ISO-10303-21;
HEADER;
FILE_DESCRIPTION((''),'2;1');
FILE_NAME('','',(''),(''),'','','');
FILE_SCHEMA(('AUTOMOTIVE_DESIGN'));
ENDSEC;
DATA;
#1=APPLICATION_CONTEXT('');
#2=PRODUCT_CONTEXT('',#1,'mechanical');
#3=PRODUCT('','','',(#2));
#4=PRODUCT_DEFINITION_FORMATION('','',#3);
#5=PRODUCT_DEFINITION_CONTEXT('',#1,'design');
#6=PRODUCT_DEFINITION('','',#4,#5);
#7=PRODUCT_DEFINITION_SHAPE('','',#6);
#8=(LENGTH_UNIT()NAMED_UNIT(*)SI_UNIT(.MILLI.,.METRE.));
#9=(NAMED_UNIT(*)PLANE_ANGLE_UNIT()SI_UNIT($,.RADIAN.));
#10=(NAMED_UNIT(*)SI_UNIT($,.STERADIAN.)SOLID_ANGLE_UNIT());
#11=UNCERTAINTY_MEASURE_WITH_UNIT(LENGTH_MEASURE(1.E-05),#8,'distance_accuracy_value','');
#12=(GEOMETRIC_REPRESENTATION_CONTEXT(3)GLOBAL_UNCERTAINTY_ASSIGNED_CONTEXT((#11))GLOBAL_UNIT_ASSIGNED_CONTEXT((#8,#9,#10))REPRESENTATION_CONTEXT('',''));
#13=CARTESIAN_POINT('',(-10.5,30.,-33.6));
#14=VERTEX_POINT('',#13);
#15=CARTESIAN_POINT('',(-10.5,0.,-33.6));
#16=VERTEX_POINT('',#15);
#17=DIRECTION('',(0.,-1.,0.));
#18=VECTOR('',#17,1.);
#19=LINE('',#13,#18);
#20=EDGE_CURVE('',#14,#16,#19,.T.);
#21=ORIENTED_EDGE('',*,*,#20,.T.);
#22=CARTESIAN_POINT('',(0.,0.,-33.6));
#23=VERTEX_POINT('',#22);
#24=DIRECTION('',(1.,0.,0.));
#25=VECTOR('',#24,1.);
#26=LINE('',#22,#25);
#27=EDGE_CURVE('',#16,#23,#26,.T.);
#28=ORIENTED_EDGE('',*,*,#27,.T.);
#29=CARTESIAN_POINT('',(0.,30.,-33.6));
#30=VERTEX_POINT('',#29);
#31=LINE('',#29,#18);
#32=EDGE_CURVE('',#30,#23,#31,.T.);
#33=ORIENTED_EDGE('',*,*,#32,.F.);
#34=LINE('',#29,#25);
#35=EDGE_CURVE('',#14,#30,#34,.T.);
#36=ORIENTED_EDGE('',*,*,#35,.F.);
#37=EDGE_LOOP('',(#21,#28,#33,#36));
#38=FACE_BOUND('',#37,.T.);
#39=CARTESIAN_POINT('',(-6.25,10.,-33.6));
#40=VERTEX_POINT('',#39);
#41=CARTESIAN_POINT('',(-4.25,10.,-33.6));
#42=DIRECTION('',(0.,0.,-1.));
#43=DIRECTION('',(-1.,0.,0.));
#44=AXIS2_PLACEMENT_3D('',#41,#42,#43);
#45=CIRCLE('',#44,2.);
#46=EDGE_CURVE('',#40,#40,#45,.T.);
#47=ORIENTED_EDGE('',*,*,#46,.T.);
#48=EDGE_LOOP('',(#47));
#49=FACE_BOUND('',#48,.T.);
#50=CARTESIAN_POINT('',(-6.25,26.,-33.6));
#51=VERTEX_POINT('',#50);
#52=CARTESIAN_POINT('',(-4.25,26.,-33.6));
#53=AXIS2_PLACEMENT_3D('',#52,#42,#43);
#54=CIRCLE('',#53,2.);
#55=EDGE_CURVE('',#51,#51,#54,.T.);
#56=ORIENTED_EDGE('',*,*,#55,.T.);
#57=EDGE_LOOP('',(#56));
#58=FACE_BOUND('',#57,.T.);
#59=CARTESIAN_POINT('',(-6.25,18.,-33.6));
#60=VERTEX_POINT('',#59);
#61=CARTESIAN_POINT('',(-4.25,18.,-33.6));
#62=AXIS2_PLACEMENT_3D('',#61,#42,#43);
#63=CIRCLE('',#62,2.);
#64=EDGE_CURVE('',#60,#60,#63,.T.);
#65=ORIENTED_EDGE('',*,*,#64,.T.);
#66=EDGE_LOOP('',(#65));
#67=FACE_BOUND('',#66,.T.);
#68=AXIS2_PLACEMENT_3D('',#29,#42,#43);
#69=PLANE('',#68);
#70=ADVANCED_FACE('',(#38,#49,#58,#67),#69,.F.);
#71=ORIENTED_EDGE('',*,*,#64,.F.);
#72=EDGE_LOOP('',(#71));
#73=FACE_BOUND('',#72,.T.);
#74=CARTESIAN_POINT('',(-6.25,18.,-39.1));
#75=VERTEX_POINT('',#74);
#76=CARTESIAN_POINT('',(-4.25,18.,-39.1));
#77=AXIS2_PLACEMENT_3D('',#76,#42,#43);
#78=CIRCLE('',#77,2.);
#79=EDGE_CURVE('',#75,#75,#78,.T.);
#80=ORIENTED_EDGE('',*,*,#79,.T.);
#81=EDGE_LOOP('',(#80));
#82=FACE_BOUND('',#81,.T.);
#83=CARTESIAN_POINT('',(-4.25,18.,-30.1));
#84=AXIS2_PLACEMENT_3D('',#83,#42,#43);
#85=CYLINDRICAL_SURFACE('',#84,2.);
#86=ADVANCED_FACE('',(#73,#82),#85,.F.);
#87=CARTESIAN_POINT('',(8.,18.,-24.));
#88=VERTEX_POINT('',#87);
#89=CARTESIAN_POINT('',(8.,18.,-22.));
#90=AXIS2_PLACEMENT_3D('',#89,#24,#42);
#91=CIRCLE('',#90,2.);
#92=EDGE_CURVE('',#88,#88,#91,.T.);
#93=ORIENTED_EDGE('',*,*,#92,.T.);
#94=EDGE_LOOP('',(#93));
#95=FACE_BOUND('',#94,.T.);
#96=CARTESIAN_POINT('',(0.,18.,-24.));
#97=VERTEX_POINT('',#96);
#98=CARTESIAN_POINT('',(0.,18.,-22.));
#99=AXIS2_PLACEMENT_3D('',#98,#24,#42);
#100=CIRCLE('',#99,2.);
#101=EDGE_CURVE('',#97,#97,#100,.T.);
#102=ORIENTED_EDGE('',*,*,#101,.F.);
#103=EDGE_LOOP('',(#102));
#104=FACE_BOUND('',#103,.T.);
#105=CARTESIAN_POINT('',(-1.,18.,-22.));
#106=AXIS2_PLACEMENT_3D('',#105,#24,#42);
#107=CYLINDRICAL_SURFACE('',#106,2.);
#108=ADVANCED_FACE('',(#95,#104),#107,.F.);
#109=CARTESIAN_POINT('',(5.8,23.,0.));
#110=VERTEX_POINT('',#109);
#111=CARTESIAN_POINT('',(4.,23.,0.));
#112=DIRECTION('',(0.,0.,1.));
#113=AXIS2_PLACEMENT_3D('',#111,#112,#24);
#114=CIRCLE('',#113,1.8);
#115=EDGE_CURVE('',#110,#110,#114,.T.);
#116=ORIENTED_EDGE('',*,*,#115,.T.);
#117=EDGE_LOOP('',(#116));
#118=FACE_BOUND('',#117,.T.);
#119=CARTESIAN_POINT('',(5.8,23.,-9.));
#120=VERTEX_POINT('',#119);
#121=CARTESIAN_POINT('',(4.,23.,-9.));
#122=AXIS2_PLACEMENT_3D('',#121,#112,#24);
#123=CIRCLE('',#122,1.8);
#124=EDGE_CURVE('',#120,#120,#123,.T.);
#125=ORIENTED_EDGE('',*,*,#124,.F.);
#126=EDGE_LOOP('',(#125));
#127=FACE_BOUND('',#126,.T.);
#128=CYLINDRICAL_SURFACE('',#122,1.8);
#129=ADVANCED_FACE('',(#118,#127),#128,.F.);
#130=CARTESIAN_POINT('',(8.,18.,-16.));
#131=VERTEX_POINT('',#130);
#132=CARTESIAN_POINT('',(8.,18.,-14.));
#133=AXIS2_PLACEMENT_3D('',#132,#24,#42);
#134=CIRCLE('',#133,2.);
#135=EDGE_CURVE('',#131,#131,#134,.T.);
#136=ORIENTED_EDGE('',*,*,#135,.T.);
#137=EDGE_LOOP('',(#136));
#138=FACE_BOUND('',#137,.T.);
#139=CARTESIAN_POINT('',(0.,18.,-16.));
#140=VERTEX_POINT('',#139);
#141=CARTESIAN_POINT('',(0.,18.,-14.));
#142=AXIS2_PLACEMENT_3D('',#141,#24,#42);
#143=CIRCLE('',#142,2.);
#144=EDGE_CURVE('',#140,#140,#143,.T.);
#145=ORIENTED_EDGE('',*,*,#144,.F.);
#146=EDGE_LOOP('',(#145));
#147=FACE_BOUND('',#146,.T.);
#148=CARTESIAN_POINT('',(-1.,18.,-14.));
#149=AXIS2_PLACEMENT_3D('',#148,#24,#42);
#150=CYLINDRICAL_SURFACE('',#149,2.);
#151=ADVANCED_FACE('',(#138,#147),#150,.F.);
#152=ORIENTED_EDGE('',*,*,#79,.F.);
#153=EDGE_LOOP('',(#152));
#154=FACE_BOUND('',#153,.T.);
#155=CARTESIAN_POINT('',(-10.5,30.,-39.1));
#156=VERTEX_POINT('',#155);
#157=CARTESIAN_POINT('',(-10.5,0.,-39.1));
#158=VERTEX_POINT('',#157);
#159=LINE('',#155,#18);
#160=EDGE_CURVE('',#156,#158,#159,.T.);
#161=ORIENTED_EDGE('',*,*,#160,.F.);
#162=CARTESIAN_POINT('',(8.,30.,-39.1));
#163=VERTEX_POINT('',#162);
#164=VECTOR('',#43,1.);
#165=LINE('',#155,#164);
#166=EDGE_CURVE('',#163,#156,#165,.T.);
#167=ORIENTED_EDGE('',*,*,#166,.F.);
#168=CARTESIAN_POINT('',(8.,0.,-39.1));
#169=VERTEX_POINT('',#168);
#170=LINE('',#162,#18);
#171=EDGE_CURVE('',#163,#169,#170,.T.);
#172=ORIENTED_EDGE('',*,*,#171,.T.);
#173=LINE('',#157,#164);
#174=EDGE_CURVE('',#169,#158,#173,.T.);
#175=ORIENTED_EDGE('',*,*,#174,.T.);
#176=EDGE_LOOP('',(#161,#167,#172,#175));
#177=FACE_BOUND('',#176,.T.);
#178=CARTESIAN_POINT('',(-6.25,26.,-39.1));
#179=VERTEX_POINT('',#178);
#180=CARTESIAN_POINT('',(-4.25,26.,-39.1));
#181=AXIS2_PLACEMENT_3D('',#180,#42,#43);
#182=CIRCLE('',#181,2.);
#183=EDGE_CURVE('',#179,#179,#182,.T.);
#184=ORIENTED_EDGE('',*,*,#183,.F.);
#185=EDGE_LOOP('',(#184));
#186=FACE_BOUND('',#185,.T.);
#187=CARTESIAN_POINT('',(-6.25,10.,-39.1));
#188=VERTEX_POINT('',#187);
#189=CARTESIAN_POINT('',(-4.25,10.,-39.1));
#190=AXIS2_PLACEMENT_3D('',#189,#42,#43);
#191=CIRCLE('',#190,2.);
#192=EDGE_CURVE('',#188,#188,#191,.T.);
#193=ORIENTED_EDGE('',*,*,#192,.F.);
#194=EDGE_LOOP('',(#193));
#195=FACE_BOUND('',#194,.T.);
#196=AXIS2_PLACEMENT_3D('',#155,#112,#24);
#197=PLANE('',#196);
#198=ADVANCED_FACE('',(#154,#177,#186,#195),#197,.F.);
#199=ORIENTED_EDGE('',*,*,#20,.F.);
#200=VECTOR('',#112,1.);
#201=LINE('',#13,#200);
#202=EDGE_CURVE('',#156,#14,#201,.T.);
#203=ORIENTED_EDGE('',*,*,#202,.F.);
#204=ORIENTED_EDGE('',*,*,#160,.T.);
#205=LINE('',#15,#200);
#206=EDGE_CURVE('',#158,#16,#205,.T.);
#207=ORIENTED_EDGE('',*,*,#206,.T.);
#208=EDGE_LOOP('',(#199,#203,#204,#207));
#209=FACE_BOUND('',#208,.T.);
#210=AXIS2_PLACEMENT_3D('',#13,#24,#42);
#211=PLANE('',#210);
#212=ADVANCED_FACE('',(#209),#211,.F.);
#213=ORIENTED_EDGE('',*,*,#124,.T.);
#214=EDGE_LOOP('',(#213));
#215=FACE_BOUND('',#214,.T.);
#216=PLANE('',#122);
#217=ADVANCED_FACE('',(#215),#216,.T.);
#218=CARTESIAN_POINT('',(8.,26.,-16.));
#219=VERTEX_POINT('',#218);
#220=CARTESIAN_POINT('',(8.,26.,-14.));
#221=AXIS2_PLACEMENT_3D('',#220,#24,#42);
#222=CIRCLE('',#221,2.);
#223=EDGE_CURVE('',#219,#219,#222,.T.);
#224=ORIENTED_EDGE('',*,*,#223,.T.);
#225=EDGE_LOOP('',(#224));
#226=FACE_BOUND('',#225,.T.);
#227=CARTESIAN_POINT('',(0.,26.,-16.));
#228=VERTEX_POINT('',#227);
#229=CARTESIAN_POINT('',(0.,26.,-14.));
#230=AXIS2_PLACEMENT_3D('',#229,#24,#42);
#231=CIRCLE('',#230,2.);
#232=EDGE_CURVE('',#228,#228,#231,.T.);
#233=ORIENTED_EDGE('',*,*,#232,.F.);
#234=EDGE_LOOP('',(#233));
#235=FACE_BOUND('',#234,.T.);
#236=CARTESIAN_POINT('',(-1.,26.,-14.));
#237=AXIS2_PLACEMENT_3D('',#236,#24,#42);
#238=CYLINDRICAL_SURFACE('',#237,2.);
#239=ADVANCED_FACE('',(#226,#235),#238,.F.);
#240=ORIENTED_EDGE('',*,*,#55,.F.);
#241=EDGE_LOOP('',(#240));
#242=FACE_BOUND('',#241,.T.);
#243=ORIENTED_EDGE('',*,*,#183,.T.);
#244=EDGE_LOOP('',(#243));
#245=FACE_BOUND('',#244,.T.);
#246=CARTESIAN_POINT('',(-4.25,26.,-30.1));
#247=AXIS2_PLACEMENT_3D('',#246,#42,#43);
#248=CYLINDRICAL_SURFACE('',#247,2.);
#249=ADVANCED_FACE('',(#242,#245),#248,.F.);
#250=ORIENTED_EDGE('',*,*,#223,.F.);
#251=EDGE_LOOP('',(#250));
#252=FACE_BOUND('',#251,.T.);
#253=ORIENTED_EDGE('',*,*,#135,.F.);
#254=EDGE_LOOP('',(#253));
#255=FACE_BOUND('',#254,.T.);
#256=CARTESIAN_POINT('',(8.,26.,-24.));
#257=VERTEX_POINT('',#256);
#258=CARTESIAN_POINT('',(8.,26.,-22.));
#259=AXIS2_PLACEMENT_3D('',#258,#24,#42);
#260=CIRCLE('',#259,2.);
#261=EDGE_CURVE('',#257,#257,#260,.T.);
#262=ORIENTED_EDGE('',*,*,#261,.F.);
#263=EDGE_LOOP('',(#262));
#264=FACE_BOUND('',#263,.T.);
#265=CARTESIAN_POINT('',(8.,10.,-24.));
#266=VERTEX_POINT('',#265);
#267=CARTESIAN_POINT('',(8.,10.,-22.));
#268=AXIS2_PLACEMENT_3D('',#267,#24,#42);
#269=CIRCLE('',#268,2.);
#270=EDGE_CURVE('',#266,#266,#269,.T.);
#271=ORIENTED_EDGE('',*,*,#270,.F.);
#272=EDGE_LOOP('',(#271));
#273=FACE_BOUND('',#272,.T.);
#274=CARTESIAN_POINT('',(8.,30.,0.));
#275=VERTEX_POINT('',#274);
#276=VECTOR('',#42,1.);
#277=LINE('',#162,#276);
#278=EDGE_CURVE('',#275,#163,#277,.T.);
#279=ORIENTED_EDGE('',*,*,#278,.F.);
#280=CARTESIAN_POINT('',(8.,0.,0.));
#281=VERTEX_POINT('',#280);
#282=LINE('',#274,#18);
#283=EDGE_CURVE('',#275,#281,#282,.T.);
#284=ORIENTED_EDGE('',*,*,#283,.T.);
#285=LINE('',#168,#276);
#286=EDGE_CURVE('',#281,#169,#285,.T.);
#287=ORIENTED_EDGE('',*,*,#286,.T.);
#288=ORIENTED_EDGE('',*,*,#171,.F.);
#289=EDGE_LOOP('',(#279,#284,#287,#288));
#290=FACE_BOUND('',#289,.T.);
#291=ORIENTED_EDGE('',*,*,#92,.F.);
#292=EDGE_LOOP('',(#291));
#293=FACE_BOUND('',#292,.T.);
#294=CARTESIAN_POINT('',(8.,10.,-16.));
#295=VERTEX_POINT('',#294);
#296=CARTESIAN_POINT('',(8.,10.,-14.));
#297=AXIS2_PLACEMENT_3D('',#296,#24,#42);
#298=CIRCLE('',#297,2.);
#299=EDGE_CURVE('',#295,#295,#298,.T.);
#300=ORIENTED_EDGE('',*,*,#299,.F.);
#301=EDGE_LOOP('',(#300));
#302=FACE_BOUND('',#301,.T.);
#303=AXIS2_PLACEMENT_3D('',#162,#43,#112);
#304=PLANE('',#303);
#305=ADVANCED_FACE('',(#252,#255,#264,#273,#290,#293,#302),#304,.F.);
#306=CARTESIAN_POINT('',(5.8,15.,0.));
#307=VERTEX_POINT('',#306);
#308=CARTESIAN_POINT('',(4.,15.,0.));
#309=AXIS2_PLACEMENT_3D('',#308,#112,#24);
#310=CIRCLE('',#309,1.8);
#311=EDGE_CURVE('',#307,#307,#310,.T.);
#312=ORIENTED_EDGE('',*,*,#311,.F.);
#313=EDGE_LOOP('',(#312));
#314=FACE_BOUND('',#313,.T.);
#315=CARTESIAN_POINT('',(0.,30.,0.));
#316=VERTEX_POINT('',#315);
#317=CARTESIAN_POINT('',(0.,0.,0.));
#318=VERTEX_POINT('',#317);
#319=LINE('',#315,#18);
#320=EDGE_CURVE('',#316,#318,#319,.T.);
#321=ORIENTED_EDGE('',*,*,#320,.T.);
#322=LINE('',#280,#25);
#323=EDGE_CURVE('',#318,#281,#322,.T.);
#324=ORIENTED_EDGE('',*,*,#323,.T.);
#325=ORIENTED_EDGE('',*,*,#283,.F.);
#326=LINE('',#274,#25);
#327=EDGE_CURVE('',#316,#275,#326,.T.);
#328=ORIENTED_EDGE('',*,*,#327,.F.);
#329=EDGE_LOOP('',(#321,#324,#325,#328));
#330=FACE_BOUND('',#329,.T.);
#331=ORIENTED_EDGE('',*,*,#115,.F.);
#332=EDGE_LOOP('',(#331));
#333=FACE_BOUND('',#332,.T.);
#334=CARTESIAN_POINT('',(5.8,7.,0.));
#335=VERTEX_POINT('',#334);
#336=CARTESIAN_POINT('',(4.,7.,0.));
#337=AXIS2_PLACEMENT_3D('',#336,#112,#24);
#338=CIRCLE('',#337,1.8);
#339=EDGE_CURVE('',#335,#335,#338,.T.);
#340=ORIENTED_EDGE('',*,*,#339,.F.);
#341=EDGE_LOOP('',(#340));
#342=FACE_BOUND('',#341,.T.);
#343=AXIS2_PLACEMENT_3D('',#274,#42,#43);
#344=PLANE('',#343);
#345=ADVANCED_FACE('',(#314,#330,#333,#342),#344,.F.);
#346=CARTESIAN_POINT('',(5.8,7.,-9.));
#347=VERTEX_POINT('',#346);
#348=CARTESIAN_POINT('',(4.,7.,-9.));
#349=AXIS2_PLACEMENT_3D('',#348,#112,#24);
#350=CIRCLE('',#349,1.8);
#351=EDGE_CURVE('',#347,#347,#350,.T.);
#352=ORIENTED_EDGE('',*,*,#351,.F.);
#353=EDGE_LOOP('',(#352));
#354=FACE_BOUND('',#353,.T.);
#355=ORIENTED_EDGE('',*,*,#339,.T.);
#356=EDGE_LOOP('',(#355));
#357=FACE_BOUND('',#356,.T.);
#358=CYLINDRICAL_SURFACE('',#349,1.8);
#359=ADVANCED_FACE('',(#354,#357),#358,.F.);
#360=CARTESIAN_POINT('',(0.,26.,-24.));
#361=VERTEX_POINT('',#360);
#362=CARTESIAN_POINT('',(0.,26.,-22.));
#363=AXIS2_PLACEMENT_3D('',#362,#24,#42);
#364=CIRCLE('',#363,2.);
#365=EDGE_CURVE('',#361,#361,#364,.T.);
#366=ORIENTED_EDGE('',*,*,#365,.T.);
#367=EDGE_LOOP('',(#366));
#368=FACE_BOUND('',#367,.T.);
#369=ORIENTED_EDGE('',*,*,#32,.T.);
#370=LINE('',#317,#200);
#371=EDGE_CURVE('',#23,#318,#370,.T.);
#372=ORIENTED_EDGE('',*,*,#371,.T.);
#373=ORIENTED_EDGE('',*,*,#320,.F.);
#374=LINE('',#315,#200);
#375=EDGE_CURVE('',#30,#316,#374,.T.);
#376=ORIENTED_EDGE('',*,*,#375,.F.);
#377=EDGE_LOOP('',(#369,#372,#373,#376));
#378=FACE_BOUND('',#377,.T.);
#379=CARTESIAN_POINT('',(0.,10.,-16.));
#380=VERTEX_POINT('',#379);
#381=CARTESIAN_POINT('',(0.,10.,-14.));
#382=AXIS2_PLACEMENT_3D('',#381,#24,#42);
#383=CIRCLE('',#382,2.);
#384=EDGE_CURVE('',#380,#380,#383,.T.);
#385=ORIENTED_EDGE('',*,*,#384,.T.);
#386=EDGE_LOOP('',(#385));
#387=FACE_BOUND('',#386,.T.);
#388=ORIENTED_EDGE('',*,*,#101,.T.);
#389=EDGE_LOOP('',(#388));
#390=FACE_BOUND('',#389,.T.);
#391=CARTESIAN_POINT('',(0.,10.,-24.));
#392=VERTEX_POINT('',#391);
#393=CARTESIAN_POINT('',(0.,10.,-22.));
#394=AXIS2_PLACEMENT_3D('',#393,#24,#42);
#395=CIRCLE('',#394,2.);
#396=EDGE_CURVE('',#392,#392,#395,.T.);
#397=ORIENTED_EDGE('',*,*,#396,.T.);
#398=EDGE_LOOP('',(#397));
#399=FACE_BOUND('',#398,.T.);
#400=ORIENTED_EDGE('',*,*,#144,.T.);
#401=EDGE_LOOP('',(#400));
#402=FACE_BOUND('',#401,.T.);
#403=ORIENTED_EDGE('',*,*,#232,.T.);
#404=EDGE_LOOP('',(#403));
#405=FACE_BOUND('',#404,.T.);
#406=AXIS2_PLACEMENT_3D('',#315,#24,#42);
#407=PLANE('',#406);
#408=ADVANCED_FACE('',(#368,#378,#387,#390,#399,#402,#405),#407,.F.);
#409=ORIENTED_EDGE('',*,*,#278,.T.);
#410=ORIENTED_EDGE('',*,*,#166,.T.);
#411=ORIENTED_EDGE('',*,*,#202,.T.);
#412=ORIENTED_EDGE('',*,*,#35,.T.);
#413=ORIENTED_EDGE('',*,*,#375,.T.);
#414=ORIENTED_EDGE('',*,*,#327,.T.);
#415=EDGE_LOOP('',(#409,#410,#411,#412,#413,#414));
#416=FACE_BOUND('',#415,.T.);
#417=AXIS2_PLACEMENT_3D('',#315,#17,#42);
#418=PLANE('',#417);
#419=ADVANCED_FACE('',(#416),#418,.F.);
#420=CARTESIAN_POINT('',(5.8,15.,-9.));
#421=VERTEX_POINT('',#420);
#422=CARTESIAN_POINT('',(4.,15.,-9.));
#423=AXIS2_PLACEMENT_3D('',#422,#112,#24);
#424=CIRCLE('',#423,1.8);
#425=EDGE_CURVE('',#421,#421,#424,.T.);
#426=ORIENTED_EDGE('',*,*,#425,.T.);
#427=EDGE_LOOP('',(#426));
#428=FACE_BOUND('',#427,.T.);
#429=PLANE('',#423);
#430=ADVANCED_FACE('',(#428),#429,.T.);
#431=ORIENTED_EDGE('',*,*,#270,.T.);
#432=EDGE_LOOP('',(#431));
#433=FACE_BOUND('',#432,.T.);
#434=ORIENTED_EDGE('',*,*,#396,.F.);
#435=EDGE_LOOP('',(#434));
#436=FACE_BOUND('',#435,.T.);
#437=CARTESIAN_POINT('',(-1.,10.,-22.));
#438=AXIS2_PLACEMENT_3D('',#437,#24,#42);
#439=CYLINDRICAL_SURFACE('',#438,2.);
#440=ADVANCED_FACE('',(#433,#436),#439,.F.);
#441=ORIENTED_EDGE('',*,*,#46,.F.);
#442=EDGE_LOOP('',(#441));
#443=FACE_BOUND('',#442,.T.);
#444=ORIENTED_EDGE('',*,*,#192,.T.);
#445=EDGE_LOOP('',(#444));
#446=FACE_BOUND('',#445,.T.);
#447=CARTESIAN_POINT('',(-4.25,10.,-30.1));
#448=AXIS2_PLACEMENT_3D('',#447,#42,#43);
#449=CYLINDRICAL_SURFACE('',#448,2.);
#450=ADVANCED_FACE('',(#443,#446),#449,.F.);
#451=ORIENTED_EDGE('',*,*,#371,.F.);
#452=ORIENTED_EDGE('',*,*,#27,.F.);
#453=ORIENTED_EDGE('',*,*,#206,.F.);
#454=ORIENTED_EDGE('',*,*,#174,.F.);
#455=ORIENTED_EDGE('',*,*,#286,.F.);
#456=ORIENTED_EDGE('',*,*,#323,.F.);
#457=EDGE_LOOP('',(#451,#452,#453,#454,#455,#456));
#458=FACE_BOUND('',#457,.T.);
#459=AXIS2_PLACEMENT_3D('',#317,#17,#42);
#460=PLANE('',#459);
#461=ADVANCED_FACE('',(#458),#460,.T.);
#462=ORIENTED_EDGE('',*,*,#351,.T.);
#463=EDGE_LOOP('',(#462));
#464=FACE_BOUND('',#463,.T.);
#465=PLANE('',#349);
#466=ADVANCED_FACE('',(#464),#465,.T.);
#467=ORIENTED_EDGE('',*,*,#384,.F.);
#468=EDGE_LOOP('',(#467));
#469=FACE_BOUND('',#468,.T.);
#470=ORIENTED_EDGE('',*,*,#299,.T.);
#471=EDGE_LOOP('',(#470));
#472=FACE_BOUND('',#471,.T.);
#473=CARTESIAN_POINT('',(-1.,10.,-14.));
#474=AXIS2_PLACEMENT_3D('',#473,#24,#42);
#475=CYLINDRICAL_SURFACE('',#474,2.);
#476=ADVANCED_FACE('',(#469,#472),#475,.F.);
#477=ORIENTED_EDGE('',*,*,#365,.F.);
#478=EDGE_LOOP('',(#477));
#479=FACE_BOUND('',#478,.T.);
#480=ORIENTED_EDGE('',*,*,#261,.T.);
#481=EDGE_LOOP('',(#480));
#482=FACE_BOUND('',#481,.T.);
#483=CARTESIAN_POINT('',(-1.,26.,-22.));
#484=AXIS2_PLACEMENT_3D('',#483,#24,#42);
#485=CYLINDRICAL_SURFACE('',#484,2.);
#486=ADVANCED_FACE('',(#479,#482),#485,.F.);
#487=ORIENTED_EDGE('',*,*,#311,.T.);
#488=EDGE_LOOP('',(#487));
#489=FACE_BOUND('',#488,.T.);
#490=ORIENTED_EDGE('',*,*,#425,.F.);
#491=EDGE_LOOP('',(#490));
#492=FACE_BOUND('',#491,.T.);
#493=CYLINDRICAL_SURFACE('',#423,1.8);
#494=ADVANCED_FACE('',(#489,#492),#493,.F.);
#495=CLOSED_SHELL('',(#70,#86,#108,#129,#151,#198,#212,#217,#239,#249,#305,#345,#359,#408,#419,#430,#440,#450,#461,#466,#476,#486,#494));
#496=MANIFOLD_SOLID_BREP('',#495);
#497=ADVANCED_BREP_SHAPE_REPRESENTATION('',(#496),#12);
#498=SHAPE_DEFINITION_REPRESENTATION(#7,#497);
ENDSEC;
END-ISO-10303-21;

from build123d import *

# Parameters (mm, degrees)
EXTRUDE_1_DEPTH     = 30
SKETCH_2_R          = 2
CUT_EXTRUDE_1_DEPTH = 9
SKETCH_3_R          = 2
CUT_EXTRUDE_2_DEPTH = 9
SKETCH_4_R          = 1.8
CUT_EXTRUDE_3_DEPTH = 9


with BuildPart() as part:
    # 草圖1 → 填料-伸長1 (new body)
    with BuildSketch(Plane(origin=(0, 0, 0), x_dir=(1, 0, 0), z_dir=(0, 1, 0))):
        Polygon((0, 0), (0, 33.6), (-10.5, 33.6), (-10.5, 39.1), (8, 39.1), (8, 0), align=None)
    extrude(amount=EXTRUDE_1_DEPTH)

    # 草圖2 → 除料-伸長1 (cut)
    with BuildSketch(Plane(origin=(0, 0, -39.1), x_dir=(-1, 0, 0), z_dir=(0, 0, -1))):
        with Locations((4.25, 26)):
            Circle(SKETCH_2_R)
        with Locations((4.25, 18)):
            Circle(SKETCH_2_R)
        with Locations((4.25, 10)):
            Circle(SKETCH_2_R)
    extrude(amount=-CUT_EXTRUDE_1_DEPTH, mode=Mode.SUBTRACT)

    # 草圖3 → 除料-伸長2 (cut)
    with BuildSketch(Plane(origin=(8, 0, 0), x_dir=(0, 0, -1), z_dir=(1, 0, 0))):
        with Locations((14, 26)):
            Circle(SKETCH_3_R)
        with Locations((14, 18)):
            Circle(SKETCH_3_R)
        with Locations((14, 10)):
            Circle(SKETCH_3_R)
        with Locations((22, 26)):
            Circle(SKETCH_3_R)
        with Locations((22, 18)):
            Circle(SKETCH_3_R)
        with Locations((22, 10)):
            Circle(SKETCH_3_R)
    extrude(amount=-CUT_EXTRUDE_2_DEPTH, mode=Mode.SUBTRACT)

    # 草圖4 → 除料-伸長3 (cut)
    with BuildSketch(Plane.XY):
        with Locations((4, 23)):
            Circle(SKETCH_4_R)
        with Locations((4, 15)):
            Circle(SKETCH_4_R)
        with Locations((4, 7)):
            Circle(SKETCH_4_R)
    extrude(amount=-CUT_EXTRUDE_3_DEPTH, mode=Mode.SUBTRACT)


solid = part.part
